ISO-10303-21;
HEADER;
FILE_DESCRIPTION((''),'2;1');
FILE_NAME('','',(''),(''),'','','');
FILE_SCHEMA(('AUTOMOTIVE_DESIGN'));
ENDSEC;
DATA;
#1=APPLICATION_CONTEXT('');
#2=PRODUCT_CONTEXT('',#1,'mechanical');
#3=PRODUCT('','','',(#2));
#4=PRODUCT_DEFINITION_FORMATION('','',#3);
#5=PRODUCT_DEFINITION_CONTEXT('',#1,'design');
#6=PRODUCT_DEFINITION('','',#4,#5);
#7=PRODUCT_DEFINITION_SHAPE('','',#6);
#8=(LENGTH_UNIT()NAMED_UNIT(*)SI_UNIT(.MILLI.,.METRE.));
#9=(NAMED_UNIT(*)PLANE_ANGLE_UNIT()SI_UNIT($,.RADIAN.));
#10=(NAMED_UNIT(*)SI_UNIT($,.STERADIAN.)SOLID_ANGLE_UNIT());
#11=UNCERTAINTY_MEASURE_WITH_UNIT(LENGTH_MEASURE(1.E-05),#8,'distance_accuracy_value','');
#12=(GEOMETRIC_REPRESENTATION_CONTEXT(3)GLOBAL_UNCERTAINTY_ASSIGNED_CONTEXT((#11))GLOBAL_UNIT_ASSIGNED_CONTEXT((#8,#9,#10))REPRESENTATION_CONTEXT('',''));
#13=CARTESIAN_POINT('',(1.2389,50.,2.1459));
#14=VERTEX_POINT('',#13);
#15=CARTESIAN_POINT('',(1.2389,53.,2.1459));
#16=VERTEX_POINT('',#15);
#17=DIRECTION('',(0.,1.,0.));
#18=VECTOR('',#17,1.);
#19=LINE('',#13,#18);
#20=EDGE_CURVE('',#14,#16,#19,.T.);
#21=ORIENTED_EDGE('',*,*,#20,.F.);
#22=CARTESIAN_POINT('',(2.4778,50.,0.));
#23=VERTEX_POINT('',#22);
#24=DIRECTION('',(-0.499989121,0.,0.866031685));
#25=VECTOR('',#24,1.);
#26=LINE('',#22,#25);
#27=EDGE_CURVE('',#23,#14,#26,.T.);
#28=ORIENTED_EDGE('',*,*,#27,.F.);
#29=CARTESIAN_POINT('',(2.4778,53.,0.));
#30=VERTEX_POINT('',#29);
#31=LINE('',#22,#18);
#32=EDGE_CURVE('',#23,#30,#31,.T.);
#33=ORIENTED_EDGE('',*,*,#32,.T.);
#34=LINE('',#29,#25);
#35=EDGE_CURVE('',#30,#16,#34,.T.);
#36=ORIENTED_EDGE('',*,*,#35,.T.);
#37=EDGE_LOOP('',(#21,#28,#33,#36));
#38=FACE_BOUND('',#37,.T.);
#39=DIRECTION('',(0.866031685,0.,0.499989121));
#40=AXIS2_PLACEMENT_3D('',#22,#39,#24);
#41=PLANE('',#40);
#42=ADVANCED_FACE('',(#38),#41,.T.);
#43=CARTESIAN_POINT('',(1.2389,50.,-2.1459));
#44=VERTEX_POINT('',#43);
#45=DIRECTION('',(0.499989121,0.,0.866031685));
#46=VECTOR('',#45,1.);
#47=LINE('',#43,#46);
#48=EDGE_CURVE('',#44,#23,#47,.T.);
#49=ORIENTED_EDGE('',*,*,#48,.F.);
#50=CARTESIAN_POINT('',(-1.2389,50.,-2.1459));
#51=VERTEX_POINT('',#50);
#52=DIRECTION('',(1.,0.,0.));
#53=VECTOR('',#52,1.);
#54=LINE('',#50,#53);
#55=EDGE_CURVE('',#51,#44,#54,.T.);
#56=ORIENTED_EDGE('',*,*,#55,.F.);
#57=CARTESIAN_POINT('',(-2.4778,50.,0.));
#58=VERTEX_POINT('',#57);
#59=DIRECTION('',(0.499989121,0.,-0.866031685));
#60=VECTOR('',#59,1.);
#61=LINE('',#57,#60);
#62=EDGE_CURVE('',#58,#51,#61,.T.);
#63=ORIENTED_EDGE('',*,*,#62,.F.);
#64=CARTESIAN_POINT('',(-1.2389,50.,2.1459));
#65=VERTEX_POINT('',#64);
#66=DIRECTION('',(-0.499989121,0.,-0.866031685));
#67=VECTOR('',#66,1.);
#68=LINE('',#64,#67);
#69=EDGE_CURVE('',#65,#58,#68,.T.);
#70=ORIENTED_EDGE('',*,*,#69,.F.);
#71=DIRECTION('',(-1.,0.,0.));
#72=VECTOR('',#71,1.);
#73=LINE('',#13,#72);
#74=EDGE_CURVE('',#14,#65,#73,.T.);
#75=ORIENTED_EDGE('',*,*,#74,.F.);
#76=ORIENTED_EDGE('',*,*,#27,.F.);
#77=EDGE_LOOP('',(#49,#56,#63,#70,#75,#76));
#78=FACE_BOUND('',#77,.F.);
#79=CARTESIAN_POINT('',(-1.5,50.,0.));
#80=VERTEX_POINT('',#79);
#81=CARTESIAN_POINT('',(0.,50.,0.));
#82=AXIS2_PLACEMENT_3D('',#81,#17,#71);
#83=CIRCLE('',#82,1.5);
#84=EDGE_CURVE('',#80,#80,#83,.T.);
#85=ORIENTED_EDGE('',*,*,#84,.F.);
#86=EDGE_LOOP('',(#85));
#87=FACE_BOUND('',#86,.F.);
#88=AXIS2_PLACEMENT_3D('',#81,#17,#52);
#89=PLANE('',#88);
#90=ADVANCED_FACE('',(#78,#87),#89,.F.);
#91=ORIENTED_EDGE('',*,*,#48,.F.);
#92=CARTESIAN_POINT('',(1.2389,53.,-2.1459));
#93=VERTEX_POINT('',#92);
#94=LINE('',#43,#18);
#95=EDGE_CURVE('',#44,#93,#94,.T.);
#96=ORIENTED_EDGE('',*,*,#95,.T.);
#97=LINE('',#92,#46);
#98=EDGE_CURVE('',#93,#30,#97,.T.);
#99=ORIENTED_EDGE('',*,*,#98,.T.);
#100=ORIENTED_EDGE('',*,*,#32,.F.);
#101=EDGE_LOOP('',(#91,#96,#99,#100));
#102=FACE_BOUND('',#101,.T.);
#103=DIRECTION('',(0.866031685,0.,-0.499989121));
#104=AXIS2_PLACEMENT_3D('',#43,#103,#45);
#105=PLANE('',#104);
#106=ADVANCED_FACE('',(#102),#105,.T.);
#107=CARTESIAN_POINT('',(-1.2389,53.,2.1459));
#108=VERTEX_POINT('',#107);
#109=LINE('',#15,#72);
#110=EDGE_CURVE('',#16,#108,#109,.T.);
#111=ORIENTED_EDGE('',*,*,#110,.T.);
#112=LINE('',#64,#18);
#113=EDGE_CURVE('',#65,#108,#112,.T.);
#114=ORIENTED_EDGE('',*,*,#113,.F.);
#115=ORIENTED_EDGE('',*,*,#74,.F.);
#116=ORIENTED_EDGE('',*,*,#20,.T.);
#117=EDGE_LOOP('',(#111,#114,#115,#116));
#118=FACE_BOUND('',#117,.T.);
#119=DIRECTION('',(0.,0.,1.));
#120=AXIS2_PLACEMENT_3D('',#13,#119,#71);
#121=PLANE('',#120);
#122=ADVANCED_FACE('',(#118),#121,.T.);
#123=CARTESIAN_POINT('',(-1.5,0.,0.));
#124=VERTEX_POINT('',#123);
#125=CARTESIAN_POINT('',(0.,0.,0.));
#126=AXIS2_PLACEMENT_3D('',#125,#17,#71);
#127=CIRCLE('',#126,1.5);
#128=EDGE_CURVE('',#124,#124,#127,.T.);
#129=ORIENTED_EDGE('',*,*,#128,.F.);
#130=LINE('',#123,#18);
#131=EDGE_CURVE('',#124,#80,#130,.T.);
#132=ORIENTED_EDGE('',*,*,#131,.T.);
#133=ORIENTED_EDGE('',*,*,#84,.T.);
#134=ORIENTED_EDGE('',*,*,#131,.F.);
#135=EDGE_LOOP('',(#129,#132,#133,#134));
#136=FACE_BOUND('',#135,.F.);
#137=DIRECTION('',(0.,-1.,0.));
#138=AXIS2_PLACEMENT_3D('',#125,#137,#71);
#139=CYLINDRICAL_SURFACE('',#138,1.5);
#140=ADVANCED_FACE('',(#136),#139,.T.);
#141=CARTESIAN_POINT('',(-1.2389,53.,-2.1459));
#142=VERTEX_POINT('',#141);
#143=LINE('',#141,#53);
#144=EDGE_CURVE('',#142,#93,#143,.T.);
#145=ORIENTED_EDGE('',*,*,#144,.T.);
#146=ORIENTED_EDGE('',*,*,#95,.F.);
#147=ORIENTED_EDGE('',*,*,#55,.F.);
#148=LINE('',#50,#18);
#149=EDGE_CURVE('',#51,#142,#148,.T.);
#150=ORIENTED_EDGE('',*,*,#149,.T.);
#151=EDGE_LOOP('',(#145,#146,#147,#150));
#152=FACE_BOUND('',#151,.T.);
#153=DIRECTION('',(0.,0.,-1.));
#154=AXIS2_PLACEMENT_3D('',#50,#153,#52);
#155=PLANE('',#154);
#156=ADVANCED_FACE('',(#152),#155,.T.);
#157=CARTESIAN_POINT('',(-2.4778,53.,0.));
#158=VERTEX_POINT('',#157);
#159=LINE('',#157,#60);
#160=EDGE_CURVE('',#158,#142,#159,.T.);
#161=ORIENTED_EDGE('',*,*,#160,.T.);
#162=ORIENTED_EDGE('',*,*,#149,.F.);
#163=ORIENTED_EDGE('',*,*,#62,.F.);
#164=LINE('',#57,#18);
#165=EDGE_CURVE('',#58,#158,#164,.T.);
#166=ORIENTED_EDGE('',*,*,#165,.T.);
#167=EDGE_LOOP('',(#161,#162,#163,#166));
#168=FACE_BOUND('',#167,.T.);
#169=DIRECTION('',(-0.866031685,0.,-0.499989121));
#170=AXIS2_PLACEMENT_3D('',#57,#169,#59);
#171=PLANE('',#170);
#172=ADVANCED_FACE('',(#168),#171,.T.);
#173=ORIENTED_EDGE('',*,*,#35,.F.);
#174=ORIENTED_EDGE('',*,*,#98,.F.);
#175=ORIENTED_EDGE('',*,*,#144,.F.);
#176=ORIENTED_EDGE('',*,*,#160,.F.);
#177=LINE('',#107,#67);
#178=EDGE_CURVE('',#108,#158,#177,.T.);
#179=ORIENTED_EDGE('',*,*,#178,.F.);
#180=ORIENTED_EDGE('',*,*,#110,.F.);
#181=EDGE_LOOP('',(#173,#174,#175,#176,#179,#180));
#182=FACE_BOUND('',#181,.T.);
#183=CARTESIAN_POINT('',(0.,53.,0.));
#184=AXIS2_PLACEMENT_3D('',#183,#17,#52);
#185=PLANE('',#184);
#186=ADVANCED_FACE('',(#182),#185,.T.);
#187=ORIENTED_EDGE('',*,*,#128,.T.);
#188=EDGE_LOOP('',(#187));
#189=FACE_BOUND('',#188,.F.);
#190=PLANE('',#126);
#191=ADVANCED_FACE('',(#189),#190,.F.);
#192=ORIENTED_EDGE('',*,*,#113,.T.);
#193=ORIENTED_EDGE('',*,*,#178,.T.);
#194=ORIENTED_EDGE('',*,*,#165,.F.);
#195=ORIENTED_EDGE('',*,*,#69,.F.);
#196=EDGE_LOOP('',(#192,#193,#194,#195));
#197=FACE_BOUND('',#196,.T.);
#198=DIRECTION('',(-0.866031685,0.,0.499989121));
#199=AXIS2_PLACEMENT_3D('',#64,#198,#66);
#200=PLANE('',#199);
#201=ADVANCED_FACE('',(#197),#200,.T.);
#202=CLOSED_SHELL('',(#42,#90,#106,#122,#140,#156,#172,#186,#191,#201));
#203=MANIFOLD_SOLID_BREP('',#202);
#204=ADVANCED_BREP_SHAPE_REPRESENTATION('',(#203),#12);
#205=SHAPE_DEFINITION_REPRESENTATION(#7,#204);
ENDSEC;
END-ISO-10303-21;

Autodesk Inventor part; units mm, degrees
ref_plane "YZ Plane" through (0, 0, 0) normal (1, 0, 0) x (0, 1, 0)
ref_plane "XZ Plane" through (0, 0, 0) normal (0, 1, 0) x (-1, 0, 0)
ref_plane "XY Plane" through (0, 0, 0) normal (0, 0, 1) x (1, 0, 0)
sketch "Sketch1" plane through (0, 0, 0) normal (0, 1, 0) x (-1, 0, 0)
  circle A0 centre (0, 0) radius 1.5
  dimension "d0" = 3
extrude "Extrusion1" add sketch "Sketch1" along normal blind 50
sketch "Sketch2" plane through (0, 50, 0) normal (0, 1, 0) x (1, 0, 0)
  line L0 (2.4778, 0) -> (1.2389, -2.1459)
  line L1 (1.2389, -2.1459) -> (-1.2389, -2.1459)
  line L2 (-1.2389, -2.1459) -> (-2.4778, 0)
  line L3 (-2.4778, 0) -> (-1.2389, 2.1459)
  line L4 (-1.2389, 2.1459) -> (1.2389, 2.1459)
  line L5 (1.2389, 2.1459) -> (2.4778, 0)
  point P0 (0, 0)
  point P1 (0, 0)
extrude "Extrusion2" add sketch "Sketch2" along normal blind 3
thread "Thread1" size "M3x0.5" class "6g" standard "ANSI Metric M Profile" full length
properties part number "parafuso"
